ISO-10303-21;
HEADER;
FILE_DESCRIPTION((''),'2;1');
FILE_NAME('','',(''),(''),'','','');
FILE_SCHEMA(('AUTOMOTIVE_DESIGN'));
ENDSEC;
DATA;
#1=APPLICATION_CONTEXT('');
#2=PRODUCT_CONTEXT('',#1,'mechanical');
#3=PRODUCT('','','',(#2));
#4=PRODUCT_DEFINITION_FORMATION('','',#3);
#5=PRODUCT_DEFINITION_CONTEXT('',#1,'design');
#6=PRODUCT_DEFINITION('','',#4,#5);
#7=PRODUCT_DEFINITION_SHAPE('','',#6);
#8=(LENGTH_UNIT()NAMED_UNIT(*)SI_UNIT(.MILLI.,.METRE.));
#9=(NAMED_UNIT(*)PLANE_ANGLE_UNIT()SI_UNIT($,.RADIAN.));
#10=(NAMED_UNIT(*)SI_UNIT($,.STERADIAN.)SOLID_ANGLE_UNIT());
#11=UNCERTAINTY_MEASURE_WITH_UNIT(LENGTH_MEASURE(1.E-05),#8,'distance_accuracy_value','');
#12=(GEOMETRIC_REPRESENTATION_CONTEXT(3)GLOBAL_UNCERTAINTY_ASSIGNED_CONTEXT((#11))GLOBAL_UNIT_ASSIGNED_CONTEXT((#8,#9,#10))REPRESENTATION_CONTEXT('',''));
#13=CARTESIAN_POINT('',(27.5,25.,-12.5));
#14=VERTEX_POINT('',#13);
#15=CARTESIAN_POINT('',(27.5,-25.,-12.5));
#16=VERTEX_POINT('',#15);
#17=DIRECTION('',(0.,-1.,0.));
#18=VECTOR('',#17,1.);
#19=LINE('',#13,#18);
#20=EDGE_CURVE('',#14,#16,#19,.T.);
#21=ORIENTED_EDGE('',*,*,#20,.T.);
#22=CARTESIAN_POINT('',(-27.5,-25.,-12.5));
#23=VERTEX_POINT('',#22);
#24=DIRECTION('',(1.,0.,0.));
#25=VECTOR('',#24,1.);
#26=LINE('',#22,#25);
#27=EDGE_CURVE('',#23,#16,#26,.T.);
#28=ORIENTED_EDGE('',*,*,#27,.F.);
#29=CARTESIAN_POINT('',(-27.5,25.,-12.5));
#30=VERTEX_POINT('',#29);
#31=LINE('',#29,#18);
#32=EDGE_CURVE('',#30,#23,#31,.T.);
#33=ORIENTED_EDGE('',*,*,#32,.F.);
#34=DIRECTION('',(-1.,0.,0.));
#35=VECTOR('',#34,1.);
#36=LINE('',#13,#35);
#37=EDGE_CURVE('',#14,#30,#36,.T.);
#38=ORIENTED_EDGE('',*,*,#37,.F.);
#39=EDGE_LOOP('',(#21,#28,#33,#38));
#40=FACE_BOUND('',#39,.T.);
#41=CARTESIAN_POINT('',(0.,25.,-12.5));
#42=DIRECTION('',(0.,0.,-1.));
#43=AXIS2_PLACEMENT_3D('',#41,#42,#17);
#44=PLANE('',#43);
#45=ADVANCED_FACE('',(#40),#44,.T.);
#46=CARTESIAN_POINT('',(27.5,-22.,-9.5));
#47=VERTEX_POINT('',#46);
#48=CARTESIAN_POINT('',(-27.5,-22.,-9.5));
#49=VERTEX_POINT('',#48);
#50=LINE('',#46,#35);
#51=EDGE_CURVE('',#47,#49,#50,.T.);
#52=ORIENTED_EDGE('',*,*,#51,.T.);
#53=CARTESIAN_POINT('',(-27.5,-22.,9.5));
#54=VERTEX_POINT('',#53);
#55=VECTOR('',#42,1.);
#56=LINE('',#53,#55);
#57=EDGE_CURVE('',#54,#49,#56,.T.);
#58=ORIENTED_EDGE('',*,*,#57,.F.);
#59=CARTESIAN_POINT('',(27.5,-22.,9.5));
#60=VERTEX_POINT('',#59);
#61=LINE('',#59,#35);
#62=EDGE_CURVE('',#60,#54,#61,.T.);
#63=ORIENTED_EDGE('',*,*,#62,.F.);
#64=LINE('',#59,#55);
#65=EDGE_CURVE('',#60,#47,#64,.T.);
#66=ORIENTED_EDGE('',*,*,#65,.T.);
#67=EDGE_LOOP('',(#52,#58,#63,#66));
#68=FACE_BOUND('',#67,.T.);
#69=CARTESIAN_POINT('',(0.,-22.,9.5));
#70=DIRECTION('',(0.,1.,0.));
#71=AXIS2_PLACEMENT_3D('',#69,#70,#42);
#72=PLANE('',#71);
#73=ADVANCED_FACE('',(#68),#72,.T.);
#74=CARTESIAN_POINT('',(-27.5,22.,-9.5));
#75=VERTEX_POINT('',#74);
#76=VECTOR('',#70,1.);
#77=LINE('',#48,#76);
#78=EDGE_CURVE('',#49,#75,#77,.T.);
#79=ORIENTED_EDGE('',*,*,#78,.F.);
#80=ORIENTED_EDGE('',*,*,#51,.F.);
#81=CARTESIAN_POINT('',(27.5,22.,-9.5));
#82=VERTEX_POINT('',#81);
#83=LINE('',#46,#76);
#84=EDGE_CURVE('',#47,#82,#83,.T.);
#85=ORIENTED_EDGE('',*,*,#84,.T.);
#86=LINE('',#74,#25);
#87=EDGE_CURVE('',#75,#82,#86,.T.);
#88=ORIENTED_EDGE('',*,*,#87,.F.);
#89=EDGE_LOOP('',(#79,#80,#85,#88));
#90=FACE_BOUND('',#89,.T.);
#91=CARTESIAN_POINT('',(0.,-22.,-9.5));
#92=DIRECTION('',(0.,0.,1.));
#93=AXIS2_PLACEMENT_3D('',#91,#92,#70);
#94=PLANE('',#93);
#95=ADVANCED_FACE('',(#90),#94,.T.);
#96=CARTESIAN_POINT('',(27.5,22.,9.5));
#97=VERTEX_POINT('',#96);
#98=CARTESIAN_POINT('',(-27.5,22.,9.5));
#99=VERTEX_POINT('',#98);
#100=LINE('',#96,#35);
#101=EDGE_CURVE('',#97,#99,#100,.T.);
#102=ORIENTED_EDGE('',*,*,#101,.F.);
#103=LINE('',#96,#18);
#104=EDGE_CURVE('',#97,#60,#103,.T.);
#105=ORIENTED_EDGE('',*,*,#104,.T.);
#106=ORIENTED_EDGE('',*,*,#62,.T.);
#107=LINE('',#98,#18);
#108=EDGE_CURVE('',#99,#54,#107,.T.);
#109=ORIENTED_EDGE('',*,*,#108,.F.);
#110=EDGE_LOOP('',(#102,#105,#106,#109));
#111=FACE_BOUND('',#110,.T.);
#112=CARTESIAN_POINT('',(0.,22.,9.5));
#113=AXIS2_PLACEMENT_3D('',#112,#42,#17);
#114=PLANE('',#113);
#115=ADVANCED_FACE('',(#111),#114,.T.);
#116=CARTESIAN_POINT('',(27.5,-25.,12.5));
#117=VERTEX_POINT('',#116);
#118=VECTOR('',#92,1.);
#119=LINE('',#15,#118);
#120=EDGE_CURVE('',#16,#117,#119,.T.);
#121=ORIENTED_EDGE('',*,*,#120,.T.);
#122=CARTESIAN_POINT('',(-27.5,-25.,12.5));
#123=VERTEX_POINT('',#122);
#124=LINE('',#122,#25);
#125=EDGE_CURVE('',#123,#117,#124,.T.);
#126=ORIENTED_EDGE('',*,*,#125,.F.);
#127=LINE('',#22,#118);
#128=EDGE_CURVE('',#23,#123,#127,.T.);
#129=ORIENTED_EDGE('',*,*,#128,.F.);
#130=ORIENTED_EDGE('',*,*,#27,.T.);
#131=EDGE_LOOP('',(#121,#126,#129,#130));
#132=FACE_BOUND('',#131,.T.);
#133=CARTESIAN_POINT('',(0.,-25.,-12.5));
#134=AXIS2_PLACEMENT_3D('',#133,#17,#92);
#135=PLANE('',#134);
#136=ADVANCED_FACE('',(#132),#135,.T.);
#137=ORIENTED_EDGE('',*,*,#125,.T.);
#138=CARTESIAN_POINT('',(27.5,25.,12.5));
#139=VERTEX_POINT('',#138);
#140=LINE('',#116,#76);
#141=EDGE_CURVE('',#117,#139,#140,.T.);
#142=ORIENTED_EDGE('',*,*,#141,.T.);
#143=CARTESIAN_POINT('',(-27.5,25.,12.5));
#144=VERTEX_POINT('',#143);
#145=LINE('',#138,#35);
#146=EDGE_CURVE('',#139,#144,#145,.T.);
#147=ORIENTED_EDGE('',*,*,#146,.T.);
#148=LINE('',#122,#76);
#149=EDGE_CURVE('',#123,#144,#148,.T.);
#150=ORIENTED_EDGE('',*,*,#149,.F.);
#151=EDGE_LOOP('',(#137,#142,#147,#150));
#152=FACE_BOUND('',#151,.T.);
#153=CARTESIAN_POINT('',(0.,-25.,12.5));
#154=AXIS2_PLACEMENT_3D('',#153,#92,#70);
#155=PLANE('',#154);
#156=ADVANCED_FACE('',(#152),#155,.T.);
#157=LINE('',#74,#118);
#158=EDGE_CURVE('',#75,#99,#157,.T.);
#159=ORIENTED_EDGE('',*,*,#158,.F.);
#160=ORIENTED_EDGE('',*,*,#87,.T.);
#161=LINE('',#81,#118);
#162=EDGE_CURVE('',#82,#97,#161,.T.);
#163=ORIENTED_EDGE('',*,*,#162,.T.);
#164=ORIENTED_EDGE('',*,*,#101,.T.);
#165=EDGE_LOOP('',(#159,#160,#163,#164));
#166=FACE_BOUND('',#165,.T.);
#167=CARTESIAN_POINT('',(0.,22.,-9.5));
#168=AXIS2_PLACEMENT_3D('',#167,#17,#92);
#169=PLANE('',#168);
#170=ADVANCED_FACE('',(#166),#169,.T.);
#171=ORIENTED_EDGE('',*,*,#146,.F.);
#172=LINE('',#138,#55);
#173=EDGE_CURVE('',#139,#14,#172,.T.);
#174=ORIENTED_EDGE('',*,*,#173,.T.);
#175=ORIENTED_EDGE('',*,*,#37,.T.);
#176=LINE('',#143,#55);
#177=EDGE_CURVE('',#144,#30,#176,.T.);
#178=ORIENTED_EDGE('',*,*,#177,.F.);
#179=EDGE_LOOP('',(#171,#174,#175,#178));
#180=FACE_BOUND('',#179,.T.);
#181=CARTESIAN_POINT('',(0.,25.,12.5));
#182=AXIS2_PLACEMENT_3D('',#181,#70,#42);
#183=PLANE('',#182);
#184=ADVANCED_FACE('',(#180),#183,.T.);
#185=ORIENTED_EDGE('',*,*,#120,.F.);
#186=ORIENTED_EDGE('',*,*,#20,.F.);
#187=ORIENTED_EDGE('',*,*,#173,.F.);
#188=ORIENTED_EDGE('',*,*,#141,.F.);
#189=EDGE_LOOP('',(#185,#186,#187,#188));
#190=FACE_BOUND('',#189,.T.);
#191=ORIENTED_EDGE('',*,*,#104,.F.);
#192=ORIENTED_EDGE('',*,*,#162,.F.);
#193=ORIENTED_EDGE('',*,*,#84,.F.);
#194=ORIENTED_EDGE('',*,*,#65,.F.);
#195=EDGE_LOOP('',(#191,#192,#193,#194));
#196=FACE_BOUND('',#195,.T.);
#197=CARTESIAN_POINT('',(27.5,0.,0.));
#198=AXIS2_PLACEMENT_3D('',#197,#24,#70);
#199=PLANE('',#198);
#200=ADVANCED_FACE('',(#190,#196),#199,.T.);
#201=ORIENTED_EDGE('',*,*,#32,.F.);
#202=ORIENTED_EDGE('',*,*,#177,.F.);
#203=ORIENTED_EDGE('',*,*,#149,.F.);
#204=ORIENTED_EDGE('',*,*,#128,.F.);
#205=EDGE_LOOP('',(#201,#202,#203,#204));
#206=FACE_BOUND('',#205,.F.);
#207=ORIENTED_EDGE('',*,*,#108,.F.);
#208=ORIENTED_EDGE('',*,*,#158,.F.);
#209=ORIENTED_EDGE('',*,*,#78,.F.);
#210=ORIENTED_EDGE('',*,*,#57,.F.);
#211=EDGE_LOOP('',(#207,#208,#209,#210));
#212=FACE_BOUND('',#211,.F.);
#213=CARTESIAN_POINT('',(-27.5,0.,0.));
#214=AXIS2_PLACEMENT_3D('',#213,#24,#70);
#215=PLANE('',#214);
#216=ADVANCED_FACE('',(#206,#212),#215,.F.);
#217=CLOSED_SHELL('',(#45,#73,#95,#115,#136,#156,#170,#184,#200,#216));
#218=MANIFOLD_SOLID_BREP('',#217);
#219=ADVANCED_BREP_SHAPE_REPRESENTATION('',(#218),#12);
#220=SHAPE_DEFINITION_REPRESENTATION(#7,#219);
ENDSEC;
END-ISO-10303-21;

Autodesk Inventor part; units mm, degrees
ref_plane "YZ Plane" through (0, 0, 0) normal (1, 0, 0) x (0, 1, 0)
ref_plane "XZ Plane" through (0, 0, 0) normal (0, 1, 0) x (-1, 0, 0)
sketch "Sketch1" plane through (0, 0, 0) normal (1, 0, 0) x (0, 1, 0)
  line L0 (-25, 12.5) -> (25, 12.5)
  line L1 (25, 12.5) -> (25, -12.5)
  line L2 (25, -12.5) -> (-25, -12.5)
  line L3 (-25, -12.5) -> (-25, 12.5)
  line L4 (-25, 12.5) -> (25, -12.5) construction
  line L5 (25, 12.5) -> (-25, -12.5) construction
  line L6 (22, -9.5) -> (22, 9.5)
  line L7 (22, 9.5) -> (-22, 9.5)
  line L8 (-22, 9.5) -> (-22, -9.5)
  line L9 (-22, -9.5) -> (22, -9.5)
  point P0 (0, 0)
  dimension "d0" = 25
  dimension "d1" = 50
  dimension "d2" = 3
extrude "Extrusion1" add sketch "Sketch1" along normal mid plane 55
equation "\"d3\" = WheelBay_Depth"
equation "\"WheelBay_Depth\" = 55"
equation "\"Chassi_GroundClearance\" = 10.116"
equation "\"Wheel_Diametre\" = 152.4"
equation "\"Wheel_Seperation\" = 285.75"
equation "\"Wheel_HeightOffset\" = 4"
equation "\"Wheel_Clearance\" = 13.05"
equation "\"Wheel_CentreDrop\" = 4"
equation "\"Wheel_Diametre2\" = 101.6"
equation "\"Wheel_Seperation2\" = 194.33333"
equation "\"Wheel_HeightOffset2\" = 4"
equation "\"Wheel_Clearance2\" = 32.7"
equation "\"Chain_Pitch\" = 9.525"
equation "\"Wheel_CCSpan\" = 571.5"
equation "\"Wheel_CCSpan2\" = 471.5"
equation "\"Wheel_MaxSeperation\" = 285.75"
equation "\"Wheel_MaxSeperation2\" = 190.5"
equation "\"MotorholeCC\" = 95.25"
equation "\"Heightfromcenter\" = 6.7125"
equation "\"MotorholeHorizontal\" = 95.01318"
equation "\"OutputshaftTopOffset\" = 30.058"
equation "\"Chassi_SideRivetSpacing\" = 37.5"
equation "\"Sprocket_Thickness\" = 10.668"
equation "\"BumperMountingBarOffset\" = 177.8"
properties part number "SIDEBUMPERMOUNTING"
